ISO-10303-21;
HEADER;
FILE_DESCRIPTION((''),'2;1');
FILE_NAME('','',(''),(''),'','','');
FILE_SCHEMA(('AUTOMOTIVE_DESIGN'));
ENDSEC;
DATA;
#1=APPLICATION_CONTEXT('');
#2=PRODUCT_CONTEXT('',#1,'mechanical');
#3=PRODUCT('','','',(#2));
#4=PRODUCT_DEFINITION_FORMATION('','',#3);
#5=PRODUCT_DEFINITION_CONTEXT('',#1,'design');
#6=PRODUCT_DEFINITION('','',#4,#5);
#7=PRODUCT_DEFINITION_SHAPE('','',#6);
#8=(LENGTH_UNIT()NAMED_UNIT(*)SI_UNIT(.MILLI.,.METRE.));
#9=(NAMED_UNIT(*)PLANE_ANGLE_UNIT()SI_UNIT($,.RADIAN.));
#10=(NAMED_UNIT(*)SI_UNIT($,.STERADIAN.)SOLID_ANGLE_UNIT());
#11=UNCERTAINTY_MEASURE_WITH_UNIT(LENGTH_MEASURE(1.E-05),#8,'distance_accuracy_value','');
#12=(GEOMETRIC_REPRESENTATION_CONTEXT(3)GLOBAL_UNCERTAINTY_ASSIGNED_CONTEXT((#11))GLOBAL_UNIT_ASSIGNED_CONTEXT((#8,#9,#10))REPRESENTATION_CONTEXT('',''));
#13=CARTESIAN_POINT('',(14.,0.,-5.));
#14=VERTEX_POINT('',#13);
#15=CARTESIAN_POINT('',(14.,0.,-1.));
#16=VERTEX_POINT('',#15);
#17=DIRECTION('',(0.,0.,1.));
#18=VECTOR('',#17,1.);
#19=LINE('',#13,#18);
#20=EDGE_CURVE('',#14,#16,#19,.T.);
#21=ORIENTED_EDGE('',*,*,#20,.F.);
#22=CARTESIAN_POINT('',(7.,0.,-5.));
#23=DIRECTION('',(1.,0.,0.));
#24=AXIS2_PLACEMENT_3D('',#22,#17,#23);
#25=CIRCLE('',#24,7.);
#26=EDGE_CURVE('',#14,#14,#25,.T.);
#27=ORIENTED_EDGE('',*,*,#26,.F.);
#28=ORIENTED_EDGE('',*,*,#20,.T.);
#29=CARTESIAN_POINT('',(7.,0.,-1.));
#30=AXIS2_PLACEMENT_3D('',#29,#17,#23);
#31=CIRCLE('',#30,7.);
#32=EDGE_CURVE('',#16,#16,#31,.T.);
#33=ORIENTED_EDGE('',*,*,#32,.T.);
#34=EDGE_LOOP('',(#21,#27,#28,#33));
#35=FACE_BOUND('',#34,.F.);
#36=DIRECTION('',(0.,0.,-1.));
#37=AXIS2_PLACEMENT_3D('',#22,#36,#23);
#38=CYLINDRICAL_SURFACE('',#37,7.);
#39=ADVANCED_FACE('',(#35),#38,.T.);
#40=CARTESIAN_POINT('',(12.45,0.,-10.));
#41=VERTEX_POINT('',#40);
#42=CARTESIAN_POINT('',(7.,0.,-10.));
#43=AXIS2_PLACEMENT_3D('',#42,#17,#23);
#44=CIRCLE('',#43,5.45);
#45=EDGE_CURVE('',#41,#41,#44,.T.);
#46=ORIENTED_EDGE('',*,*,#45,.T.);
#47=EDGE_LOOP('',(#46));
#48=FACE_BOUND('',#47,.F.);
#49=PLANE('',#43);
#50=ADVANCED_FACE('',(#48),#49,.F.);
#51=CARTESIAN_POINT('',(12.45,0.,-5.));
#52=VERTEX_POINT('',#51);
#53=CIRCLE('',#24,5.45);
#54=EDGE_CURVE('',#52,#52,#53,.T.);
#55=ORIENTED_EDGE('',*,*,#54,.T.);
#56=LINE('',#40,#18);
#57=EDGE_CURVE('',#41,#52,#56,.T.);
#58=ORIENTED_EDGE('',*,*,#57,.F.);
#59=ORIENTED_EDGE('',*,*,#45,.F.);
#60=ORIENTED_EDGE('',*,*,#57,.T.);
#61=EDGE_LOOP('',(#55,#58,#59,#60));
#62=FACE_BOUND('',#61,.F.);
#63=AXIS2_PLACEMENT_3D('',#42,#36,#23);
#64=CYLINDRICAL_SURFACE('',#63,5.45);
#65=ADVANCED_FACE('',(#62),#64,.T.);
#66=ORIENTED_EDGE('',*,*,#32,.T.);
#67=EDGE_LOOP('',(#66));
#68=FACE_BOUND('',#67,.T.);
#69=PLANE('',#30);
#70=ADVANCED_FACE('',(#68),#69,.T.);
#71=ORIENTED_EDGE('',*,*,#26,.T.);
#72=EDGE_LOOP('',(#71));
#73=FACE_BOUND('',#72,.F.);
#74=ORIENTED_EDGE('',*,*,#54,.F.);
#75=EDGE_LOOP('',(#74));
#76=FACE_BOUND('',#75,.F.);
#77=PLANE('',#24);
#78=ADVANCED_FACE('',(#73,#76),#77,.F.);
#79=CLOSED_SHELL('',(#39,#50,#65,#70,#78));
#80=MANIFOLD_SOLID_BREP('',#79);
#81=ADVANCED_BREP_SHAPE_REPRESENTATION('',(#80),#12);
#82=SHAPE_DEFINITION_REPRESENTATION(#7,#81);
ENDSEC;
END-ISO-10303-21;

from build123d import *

# Parameters (mm, degrees)
CYLINDER001_R     = 7
CYLINDER001_DEPTH = 4
CYLINDER_R        = 5.45
CYLINDER_DEPTH    = 5


with BuildPart() as knob002:
    # Cylinder001 → Cylinder001 (new body)
    with BuildSketch(Plane(origin=(7, 0, -5), x_dir=(1, 0, 0), z_dir=(0, 0, 1))):
        Circle(CYLINDER001_R)
    extrude(amount=CYLINDER001_DEPTH)


with BuildPart() as knob003:
    # Cylinder → Cylinder (new body)
    with BuildSketch(Plane(origin=(7, 0, -10), x_dir=(1, 0, 0), z_dir=(0, 0, 1))):
        Circle(CYLINDER_R)
    extrude(amount=CYLINDER_DEPTH)

    # Fusion007: union knob002
    add(knob002.part)


solid = knob003.part
